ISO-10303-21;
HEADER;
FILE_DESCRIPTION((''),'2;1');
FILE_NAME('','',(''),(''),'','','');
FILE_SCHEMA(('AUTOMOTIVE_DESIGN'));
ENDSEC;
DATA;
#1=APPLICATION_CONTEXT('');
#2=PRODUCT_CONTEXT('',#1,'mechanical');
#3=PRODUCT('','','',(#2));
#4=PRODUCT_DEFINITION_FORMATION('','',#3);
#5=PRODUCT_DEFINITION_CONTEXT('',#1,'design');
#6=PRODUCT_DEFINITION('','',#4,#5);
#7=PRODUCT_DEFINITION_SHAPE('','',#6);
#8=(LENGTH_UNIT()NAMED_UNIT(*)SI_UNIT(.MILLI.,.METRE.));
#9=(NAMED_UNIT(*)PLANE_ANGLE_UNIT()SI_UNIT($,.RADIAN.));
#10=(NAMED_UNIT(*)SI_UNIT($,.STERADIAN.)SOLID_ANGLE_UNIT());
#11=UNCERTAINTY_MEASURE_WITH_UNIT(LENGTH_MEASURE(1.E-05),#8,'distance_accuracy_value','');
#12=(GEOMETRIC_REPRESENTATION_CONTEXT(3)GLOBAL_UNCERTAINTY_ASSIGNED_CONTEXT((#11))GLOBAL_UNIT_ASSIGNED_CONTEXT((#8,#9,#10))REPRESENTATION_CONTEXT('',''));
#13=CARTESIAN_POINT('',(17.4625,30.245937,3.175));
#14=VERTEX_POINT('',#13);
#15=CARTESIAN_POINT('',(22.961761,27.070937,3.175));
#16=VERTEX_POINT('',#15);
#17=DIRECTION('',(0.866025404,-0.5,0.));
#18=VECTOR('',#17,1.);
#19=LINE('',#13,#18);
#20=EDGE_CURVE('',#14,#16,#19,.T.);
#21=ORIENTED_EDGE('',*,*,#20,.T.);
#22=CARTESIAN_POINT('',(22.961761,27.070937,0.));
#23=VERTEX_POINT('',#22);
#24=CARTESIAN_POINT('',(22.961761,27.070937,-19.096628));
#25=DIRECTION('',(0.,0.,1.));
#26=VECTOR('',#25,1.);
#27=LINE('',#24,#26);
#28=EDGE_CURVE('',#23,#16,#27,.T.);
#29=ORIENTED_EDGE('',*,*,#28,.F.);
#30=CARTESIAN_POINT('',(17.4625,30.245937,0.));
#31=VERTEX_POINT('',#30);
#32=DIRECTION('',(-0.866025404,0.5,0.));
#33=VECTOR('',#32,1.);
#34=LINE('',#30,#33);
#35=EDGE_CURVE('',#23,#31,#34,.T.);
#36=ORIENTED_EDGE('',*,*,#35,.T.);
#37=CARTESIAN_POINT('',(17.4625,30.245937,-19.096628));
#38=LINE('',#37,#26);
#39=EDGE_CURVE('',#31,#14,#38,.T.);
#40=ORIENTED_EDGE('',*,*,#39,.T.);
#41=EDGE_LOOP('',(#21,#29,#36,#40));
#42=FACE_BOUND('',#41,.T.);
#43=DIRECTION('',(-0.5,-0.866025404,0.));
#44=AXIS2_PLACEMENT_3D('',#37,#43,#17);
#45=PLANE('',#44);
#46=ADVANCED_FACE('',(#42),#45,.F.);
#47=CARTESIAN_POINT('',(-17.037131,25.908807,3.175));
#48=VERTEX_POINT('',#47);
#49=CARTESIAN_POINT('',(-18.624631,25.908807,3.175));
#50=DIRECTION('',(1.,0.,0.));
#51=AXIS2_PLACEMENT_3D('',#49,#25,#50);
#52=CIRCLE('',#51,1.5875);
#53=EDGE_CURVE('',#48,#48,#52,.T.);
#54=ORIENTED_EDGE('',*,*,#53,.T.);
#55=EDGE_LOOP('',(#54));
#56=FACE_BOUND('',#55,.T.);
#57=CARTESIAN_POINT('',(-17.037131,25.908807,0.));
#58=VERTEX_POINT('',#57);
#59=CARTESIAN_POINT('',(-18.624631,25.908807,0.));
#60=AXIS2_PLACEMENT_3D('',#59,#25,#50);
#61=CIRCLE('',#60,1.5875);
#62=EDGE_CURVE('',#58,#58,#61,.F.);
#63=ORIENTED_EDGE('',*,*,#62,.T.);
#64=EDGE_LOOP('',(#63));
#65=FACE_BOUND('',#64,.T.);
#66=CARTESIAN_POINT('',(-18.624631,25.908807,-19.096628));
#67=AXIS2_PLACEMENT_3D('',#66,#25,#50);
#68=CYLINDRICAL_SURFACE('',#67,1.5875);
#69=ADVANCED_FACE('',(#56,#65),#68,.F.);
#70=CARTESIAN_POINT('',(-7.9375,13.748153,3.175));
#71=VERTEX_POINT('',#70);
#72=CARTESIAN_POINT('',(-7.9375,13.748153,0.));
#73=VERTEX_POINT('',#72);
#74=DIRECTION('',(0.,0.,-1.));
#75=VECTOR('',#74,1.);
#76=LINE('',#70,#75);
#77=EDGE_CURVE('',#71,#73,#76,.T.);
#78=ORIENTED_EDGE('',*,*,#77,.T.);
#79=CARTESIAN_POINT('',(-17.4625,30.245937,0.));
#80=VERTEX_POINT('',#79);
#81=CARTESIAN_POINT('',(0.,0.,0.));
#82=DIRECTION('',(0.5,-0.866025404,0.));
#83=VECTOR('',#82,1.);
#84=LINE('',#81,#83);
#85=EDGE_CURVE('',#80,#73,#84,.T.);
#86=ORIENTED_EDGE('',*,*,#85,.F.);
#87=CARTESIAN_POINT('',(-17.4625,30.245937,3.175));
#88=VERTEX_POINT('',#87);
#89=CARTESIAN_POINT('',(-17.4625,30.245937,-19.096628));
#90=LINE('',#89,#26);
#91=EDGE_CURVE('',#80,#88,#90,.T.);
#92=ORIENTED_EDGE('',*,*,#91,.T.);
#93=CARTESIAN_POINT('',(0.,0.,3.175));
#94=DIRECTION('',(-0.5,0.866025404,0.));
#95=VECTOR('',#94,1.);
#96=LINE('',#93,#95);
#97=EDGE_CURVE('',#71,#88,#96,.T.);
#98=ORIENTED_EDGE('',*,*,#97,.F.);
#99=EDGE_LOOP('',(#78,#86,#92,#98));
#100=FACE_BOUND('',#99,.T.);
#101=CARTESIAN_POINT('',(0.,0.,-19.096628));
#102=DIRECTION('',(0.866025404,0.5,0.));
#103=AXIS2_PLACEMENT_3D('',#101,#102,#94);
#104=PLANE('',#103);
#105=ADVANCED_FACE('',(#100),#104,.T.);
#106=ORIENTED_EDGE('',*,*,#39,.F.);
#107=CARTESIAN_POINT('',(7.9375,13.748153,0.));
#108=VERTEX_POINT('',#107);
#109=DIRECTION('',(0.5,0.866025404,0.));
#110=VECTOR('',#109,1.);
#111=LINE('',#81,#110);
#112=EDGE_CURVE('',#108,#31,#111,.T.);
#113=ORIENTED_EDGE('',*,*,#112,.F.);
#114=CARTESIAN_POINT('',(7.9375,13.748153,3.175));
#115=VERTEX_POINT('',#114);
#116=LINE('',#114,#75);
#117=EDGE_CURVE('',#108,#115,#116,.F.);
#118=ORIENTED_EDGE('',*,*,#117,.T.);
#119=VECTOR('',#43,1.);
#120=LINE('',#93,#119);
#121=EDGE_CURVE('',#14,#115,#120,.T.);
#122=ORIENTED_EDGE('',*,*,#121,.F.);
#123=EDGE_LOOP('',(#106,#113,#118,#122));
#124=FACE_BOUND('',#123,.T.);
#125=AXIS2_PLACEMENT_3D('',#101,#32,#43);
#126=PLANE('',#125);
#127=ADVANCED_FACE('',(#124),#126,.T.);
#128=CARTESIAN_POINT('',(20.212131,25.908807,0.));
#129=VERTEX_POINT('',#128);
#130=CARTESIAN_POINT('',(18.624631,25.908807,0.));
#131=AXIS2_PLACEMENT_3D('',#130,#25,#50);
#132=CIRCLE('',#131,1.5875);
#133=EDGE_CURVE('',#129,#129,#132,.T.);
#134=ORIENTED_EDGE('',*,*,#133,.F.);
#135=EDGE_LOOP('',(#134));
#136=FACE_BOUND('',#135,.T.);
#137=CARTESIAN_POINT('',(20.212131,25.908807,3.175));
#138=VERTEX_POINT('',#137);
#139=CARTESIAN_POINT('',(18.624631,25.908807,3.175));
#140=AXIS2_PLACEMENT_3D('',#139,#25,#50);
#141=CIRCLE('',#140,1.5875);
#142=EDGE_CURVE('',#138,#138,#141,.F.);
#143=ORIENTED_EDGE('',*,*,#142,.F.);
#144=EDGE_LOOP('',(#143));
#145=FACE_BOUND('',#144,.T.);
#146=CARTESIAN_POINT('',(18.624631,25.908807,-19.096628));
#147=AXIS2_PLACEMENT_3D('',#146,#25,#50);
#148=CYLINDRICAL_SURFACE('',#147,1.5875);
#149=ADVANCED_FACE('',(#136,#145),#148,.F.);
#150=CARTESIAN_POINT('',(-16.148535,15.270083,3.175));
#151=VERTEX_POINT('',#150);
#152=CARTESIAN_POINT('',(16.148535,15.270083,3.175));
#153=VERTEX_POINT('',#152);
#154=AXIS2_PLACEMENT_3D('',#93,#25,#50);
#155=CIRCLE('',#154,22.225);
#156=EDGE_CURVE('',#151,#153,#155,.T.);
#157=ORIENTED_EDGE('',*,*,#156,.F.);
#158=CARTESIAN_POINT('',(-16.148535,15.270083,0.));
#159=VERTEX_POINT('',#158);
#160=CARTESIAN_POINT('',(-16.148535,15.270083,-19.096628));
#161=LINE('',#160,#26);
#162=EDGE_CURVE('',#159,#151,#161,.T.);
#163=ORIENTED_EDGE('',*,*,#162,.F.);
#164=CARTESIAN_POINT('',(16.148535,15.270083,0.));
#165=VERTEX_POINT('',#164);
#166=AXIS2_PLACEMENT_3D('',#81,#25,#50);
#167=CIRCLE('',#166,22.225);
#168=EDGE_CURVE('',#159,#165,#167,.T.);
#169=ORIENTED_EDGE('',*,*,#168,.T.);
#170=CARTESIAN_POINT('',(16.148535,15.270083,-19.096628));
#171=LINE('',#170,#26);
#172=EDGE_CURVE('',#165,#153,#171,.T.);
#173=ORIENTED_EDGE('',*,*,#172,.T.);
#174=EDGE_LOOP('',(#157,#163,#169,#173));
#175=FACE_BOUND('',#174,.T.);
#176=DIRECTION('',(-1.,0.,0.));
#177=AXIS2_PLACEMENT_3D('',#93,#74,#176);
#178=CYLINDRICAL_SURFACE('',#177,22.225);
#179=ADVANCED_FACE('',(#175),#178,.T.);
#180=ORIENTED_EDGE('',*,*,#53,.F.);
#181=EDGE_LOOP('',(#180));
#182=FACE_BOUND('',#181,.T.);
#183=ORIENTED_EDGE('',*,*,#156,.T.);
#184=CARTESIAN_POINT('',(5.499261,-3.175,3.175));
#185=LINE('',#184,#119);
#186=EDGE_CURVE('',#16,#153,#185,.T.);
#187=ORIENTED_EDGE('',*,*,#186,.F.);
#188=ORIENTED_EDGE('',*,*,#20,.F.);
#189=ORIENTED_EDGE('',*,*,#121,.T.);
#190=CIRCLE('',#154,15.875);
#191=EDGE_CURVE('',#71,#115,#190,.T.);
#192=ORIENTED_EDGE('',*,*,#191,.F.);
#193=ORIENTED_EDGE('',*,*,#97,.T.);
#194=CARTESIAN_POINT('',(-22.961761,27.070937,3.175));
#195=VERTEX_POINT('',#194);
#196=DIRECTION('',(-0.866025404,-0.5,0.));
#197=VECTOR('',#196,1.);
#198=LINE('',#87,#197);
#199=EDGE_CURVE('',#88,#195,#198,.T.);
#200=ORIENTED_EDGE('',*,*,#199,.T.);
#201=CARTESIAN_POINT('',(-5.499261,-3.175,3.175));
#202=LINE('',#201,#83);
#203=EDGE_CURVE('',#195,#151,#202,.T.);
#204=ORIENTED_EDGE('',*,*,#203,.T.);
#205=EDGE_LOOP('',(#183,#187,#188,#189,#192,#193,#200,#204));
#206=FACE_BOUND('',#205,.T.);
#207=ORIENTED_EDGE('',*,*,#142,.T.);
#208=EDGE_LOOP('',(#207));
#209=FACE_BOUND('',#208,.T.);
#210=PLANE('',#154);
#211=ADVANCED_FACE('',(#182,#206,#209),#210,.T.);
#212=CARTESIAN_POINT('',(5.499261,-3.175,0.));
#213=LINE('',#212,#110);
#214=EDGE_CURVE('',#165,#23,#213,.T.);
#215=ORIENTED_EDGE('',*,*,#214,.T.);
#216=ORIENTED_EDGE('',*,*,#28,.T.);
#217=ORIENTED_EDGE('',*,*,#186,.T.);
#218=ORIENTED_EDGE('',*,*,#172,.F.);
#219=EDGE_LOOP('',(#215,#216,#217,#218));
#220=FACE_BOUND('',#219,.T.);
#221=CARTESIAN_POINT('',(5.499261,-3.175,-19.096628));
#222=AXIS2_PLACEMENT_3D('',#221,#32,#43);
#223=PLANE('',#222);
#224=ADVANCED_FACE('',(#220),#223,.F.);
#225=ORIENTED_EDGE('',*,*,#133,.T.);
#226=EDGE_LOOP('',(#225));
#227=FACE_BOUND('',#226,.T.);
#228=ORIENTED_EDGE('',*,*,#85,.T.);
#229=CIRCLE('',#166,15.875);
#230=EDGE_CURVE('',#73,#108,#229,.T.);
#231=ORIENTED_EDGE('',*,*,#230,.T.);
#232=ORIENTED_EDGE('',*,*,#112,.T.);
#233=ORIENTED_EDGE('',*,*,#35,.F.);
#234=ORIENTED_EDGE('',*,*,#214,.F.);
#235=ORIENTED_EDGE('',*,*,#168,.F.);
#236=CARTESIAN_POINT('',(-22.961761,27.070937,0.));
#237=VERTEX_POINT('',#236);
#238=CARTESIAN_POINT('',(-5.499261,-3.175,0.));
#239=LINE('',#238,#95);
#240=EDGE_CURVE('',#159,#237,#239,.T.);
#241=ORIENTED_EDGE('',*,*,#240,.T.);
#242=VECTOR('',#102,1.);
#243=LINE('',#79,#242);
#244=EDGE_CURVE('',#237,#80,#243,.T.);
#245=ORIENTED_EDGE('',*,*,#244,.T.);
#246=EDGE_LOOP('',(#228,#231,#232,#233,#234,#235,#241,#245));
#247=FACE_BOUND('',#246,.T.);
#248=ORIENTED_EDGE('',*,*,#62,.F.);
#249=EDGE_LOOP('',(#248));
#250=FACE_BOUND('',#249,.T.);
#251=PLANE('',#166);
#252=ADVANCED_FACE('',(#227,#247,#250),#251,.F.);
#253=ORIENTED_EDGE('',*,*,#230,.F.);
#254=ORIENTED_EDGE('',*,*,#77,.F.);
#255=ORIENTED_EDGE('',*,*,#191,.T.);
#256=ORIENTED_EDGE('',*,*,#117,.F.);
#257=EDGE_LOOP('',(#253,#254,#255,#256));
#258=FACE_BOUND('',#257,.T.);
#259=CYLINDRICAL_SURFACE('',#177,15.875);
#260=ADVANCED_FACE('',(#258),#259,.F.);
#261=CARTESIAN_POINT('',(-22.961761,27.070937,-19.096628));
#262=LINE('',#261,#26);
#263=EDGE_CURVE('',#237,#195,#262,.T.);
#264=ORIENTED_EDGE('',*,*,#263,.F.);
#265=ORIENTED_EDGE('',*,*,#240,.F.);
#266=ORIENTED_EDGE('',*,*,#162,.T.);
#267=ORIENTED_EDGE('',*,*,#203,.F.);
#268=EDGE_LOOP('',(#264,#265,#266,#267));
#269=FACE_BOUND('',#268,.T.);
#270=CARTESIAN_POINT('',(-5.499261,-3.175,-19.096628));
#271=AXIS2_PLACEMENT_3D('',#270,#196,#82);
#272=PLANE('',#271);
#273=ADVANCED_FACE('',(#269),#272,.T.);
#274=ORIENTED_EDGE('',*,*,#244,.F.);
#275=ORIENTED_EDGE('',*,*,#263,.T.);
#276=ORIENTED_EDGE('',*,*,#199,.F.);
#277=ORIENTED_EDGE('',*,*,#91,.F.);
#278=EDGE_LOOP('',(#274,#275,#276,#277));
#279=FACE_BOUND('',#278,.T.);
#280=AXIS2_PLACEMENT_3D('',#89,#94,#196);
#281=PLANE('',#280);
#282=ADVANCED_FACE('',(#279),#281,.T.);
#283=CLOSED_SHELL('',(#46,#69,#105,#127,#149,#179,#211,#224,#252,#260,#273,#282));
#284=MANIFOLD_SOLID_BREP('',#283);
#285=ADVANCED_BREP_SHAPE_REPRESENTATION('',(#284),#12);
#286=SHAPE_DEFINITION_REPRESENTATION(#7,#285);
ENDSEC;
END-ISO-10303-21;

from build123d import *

# Parameters (mm, degrees)
SKETCH2_R           = 22.225
SKETCH2_R_2         = 19.05
SKETCH2_R_3         = 15.875
BOSS_EXTRUDE1_DEPTH = 3.175
SKETCH3_R           = 1.5875
BOSS_EXTRUDE2_DEPTH = 3.175
CUT_EXTRUDE1_DEPTH  = 3.175


with BuildPart() as part:
    # Sketch2 → Boss-Extrude1 (new body)
    with BuildSketch(Plane.XY):
        Circle(SKETCH2_R)
        Circle(SKETCH2_R_2, mode=Mode.SUBTRACT)
        Circle(SKETCH2_R_2)
        Circle(SKETCH2_R_3, mode=Mode.SUBTRACT)
    extrude(amount=BOSS_EXTRUDE1_DEPTH)

    # Sketch3 → Boss-Extrude2 (add)
    with BuildSketch(Plane.XY.offset(3.175)):
        with BuildLine():
            ThreePointArc((-16.148535057, 15.270083186), (-13.77482484, 17.441468562), (-11.1125, 19.247414599))
            Line((-11.1125, 19.247414599), (-17.4625, 30.245937227))
            Line((-17.4625, 30.245937227), (-22.961761314, 27.070937227))
            Line((-22.961761314, 27.070937227), (-16.611761314, 16.072414599))
            Line((-16.611761314, 16.072414599), (-16.148535057, 15.270083186))
        make_face()
        with Locations((-18.624630657, 25.90880657)):
            Circle(SKETCH3_R, mode=Mode.SUBTRACT)
        with BuildLine():
            Line((17.4625, 30.245937227), (11.1125, 19.247414599))
            ThreePointArc((11.1125, 19.247414599), (13.77482484, 17.441468562), (16.148535057, 15.270083186))
            Line((16.148535057, 15.270083186), (16.611761314, 16.072414599))
            Line((16.611761314, 16.072414599), (22.961761314, 27.070937227))
            Line((22.961761314, 27.070937227), (17.4625, 30.245937227))
        make_face()
        with Locations((18.624630657, 25.90880657)):
            Circle(SKETCH3_R, mode=Mode.SUBTRACT)
    extrude(amount=-BOSS_EXTRUDE2_DEPTH)

    # Sketch5 → Cut-Extrude1 (cut)
    with BuildSketch(Plane.XY.offset(3.175)):
        with BuildLine():
            Line((-11.1125, 19.247414599), (0, 0))
            Line((0, 0), (11.1125, 19.247414599))
            ThreePointArc((11.1125, 19.247414599), (0, 22.225), (-11.1125, 19.247414599))
        make_face()
    extrude(amount=-CUT_EXTRUDE1_DEPTH, mode=Mode.SUBTRACT)


solid = part.part
